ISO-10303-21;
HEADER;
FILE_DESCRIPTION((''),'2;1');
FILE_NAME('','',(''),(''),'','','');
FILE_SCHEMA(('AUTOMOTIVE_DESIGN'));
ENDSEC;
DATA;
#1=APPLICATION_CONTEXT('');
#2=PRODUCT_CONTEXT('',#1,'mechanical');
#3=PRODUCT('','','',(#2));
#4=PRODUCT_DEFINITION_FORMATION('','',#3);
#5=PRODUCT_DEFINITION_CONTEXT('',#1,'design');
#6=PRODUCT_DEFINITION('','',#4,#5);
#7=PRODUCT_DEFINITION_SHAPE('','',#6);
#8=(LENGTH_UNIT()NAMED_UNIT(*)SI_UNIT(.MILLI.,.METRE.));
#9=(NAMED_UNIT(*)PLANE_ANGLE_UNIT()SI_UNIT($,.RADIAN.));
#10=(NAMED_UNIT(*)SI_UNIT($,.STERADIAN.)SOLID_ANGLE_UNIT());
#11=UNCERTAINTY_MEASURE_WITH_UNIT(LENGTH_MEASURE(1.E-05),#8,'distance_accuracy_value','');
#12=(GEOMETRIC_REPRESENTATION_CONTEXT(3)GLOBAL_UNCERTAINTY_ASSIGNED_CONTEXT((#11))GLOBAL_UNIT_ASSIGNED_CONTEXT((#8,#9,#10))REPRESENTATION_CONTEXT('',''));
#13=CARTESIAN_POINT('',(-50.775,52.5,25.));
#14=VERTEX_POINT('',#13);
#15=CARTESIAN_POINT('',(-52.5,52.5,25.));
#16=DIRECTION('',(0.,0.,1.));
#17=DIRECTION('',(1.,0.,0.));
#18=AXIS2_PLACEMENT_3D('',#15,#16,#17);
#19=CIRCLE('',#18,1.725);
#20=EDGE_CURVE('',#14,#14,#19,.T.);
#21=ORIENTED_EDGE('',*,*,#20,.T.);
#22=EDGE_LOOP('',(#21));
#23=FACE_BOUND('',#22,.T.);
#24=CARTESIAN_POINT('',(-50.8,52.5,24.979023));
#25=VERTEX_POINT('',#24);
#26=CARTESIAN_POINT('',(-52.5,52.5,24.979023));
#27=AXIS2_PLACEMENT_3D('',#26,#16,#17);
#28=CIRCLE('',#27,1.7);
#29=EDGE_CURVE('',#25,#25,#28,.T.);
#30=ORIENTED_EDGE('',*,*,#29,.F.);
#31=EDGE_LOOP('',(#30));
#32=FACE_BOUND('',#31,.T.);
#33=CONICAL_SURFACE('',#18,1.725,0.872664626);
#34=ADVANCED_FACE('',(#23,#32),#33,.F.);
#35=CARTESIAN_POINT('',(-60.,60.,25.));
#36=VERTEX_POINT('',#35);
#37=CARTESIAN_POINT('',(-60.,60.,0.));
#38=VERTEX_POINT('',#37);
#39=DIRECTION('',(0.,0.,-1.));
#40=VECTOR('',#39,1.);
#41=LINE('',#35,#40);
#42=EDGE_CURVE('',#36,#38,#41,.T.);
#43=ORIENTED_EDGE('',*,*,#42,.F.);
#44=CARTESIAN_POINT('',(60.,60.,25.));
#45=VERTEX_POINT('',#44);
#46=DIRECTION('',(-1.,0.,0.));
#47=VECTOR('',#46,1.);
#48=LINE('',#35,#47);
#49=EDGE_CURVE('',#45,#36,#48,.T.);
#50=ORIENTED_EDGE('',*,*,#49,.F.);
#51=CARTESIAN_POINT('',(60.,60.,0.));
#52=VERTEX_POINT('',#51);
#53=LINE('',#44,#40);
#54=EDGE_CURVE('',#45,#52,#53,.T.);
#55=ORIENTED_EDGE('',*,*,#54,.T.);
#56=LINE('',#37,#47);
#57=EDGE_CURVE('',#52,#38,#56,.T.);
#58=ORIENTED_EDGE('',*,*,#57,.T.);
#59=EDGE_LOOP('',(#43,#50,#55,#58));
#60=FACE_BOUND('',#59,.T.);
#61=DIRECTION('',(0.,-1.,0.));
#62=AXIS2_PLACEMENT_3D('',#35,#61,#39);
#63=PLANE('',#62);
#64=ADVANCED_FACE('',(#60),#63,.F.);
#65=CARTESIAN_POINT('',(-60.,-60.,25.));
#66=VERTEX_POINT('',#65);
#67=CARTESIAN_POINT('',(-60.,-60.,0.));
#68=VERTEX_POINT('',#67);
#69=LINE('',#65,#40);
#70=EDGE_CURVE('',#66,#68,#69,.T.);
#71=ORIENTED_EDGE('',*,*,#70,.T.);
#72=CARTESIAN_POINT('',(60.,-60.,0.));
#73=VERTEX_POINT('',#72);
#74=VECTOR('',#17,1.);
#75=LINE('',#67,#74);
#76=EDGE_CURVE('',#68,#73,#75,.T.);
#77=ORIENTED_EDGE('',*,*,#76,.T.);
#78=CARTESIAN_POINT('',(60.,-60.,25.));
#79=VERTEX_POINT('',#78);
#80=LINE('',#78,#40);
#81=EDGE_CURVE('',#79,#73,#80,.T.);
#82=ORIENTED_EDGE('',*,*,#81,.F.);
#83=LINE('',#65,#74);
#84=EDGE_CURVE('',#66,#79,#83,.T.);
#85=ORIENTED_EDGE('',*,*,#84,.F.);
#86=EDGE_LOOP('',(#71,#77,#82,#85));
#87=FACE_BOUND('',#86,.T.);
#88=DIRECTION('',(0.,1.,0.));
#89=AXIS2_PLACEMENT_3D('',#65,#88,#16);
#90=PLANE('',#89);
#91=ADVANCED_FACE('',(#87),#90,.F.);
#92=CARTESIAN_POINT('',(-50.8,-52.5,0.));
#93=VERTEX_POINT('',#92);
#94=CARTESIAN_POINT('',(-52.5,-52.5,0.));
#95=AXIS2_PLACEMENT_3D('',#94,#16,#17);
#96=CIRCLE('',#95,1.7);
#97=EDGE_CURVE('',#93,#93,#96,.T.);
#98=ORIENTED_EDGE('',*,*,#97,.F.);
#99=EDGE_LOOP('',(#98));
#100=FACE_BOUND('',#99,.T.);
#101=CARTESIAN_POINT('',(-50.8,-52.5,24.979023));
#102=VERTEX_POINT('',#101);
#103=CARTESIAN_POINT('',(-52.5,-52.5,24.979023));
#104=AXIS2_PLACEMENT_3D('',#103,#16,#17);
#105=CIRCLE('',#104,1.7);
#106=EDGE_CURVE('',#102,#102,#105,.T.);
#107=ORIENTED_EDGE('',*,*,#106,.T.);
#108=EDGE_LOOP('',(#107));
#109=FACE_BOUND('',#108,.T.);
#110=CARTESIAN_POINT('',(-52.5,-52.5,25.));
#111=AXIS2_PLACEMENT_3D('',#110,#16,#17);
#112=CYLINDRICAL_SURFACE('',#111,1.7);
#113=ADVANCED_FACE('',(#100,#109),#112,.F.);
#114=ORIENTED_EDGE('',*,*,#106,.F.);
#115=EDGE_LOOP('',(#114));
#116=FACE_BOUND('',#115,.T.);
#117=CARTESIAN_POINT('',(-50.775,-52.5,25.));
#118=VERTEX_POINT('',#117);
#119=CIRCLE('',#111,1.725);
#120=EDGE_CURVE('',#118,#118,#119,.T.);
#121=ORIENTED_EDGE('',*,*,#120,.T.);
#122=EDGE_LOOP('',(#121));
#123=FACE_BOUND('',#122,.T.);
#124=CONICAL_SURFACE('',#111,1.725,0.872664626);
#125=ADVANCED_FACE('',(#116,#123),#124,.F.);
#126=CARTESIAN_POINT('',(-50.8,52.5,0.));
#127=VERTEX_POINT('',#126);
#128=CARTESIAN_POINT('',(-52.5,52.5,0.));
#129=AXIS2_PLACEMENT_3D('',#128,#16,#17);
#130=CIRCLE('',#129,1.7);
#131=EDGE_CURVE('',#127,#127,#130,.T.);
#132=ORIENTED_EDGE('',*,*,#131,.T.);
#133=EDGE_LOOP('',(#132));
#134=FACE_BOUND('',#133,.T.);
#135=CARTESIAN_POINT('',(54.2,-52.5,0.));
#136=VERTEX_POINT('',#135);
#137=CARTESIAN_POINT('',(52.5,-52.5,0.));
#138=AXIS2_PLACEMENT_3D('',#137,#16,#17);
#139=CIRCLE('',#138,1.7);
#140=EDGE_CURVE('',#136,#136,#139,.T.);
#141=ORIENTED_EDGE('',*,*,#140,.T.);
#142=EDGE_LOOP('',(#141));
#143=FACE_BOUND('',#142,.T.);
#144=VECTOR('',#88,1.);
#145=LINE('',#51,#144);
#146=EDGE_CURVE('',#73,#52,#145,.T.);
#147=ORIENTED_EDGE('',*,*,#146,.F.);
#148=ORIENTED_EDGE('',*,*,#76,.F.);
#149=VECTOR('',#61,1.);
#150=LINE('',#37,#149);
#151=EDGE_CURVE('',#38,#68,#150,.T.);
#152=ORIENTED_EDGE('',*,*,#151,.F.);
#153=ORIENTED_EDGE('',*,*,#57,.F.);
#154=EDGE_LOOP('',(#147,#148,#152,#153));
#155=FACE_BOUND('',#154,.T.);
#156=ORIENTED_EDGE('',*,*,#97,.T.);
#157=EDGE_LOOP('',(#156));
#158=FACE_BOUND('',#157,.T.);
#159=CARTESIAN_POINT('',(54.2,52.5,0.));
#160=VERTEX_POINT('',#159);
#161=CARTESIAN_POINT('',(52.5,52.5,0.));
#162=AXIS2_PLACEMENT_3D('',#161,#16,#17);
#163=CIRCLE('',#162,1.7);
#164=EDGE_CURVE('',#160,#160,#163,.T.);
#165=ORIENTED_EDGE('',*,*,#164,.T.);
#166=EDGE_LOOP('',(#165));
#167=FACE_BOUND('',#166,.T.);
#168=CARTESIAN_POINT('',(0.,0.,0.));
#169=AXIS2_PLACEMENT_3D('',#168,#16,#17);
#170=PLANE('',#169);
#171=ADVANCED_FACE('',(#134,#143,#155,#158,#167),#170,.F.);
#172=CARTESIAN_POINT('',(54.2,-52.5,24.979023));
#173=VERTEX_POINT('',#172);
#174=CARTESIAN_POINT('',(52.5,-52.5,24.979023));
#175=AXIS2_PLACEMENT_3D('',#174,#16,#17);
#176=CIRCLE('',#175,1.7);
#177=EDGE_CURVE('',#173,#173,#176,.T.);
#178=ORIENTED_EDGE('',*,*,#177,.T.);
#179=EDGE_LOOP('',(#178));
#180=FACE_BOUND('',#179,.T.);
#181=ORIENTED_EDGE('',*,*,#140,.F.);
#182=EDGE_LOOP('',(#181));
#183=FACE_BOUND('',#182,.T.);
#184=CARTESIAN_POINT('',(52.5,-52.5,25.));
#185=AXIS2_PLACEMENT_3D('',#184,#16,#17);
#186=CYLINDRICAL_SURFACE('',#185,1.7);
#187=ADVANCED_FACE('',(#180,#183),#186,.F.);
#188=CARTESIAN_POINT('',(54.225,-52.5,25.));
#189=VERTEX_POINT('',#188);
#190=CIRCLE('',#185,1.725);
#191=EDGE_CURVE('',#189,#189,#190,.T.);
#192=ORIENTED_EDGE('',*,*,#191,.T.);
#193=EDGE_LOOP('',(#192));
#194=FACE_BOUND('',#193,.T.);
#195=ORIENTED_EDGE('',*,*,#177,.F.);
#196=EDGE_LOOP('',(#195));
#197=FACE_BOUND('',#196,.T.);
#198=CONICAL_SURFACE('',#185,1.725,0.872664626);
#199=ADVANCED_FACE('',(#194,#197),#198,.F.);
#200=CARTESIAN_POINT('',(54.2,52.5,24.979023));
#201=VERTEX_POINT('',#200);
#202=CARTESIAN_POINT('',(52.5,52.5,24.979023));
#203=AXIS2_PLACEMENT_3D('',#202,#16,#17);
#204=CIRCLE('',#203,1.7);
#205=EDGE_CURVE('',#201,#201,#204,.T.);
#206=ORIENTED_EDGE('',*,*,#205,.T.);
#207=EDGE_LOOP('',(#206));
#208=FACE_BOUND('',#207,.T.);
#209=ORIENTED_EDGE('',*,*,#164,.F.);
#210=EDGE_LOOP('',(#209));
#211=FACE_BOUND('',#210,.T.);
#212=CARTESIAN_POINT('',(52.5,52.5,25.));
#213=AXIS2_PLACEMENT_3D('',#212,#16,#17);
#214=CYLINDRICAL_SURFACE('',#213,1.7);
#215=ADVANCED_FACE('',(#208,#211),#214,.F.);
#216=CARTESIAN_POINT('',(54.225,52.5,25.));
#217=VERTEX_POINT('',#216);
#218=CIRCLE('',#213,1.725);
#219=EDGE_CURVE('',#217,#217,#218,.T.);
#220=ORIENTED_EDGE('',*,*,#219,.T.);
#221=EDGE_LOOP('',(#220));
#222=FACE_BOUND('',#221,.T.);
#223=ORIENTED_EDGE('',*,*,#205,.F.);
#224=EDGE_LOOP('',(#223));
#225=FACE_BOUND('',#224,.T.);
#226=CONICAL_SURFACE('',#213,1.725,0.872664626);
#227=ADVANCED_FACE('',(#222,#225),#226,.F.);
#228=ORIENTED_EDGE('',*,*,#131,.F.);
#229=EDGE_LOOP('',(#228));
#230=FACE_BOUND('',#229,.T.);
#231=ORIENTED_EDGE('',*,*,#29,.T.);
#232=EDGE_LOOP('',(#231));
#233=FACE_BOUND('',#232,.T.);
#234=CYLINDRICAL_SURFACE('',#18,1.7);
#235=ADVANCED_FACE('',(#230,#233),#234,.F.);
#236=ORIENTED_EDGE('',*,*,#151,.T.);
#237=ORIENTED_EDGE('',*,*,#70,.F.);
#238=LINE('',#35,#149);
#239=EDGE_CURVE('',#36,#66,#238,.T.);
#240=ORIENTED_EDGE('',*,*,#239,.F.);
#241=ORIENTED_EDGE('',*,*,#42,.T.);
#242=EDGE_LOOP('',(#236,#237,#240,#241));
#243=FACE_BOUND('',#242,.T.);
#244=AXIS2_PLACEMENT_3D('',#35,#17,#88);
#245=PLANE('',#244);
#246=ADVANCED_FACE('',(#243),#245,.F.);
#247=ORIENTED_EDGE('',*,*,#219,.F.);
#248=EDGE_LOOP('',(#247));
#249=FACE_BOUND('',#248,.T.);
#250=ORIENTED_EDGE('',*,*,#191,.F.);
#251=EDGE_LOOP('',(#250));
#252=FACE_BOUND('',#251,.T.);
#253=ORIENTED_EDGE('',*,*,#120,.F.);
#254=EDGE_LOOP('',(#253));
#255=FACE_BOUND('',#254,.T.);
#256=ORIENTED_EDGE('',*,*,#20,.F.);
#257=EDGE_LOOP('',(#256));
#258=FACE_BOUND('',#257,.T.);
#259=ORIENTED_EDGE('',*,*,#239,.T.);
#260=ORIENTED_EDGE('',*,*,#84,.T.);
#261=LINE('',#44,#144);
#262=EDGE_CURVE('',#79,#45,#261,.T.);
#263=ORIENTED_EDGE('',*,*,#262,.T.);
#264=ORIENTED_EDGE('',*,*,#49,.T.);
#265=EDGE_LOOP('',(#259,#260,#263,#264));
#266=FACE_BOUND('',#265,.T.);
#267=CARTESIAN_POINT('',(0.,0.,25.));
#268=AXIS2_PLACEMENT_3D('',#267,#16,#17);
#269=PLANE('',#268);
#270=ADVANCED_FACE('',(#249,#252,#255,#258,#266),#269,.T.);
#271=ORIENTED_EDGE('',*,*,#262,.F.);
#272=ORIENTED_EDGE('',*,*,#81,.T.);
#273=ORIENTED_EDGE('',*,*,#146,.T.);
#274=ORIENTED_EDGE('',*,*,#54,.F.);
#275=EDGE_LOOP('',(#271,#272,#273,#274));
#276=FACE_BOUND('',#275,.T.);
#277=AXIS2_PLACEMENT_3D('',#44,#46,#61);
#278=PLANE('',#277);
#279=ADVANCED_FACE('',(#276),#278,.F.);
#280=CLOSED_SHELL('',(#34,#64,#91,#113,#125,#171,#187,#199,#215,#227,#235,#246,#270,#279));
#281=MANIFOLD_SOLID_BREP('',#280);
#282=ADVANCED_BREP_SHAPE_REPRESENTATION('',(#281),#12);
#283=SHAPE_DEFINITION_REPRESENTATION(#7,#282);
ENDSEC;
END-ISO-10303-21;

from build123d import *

# Parameters (mm, degrees)
SKETCH1_W                      = 120
SKETCH1_H                      = 120
BOSS_EXTRUDE1_DEPTH            = 25
M3_CLEARANCE_HOLE1_D           = 3.4
M3_CLEARANCE_HOLE1_CSINK_D     = 3.45
M3_CLEARANCE_HOLE1_CSINK_ANGLE = 100


with BuildPart() as part:
    # Sketch1 → Boss-Extrude1 (new body)
    with BuildSketch(Plane.XY):
        Rectangle(SKETCH1_W, SKETCH1_H)
    extrude(amount=BOSS_EXTRUDE1_DEPTH)

    # M3 Clearance Hole1 (through all)
    with Locations(Plane.XY.offset(25)):
        with Locations((-52.5, 52.5), (52.5, 52.5), (52.5, -52.5), (-52.5, -52.5)):
            CounterSinkHole(M3_CLEARANCE_HOLE1_D / 2, M3_CLEARANCE_HOLE1_CSINK_D / 2, counter_sink_angle=M3_CLEARANCE_HOLE1_CSINK_ANGLE)


solid = part.part
